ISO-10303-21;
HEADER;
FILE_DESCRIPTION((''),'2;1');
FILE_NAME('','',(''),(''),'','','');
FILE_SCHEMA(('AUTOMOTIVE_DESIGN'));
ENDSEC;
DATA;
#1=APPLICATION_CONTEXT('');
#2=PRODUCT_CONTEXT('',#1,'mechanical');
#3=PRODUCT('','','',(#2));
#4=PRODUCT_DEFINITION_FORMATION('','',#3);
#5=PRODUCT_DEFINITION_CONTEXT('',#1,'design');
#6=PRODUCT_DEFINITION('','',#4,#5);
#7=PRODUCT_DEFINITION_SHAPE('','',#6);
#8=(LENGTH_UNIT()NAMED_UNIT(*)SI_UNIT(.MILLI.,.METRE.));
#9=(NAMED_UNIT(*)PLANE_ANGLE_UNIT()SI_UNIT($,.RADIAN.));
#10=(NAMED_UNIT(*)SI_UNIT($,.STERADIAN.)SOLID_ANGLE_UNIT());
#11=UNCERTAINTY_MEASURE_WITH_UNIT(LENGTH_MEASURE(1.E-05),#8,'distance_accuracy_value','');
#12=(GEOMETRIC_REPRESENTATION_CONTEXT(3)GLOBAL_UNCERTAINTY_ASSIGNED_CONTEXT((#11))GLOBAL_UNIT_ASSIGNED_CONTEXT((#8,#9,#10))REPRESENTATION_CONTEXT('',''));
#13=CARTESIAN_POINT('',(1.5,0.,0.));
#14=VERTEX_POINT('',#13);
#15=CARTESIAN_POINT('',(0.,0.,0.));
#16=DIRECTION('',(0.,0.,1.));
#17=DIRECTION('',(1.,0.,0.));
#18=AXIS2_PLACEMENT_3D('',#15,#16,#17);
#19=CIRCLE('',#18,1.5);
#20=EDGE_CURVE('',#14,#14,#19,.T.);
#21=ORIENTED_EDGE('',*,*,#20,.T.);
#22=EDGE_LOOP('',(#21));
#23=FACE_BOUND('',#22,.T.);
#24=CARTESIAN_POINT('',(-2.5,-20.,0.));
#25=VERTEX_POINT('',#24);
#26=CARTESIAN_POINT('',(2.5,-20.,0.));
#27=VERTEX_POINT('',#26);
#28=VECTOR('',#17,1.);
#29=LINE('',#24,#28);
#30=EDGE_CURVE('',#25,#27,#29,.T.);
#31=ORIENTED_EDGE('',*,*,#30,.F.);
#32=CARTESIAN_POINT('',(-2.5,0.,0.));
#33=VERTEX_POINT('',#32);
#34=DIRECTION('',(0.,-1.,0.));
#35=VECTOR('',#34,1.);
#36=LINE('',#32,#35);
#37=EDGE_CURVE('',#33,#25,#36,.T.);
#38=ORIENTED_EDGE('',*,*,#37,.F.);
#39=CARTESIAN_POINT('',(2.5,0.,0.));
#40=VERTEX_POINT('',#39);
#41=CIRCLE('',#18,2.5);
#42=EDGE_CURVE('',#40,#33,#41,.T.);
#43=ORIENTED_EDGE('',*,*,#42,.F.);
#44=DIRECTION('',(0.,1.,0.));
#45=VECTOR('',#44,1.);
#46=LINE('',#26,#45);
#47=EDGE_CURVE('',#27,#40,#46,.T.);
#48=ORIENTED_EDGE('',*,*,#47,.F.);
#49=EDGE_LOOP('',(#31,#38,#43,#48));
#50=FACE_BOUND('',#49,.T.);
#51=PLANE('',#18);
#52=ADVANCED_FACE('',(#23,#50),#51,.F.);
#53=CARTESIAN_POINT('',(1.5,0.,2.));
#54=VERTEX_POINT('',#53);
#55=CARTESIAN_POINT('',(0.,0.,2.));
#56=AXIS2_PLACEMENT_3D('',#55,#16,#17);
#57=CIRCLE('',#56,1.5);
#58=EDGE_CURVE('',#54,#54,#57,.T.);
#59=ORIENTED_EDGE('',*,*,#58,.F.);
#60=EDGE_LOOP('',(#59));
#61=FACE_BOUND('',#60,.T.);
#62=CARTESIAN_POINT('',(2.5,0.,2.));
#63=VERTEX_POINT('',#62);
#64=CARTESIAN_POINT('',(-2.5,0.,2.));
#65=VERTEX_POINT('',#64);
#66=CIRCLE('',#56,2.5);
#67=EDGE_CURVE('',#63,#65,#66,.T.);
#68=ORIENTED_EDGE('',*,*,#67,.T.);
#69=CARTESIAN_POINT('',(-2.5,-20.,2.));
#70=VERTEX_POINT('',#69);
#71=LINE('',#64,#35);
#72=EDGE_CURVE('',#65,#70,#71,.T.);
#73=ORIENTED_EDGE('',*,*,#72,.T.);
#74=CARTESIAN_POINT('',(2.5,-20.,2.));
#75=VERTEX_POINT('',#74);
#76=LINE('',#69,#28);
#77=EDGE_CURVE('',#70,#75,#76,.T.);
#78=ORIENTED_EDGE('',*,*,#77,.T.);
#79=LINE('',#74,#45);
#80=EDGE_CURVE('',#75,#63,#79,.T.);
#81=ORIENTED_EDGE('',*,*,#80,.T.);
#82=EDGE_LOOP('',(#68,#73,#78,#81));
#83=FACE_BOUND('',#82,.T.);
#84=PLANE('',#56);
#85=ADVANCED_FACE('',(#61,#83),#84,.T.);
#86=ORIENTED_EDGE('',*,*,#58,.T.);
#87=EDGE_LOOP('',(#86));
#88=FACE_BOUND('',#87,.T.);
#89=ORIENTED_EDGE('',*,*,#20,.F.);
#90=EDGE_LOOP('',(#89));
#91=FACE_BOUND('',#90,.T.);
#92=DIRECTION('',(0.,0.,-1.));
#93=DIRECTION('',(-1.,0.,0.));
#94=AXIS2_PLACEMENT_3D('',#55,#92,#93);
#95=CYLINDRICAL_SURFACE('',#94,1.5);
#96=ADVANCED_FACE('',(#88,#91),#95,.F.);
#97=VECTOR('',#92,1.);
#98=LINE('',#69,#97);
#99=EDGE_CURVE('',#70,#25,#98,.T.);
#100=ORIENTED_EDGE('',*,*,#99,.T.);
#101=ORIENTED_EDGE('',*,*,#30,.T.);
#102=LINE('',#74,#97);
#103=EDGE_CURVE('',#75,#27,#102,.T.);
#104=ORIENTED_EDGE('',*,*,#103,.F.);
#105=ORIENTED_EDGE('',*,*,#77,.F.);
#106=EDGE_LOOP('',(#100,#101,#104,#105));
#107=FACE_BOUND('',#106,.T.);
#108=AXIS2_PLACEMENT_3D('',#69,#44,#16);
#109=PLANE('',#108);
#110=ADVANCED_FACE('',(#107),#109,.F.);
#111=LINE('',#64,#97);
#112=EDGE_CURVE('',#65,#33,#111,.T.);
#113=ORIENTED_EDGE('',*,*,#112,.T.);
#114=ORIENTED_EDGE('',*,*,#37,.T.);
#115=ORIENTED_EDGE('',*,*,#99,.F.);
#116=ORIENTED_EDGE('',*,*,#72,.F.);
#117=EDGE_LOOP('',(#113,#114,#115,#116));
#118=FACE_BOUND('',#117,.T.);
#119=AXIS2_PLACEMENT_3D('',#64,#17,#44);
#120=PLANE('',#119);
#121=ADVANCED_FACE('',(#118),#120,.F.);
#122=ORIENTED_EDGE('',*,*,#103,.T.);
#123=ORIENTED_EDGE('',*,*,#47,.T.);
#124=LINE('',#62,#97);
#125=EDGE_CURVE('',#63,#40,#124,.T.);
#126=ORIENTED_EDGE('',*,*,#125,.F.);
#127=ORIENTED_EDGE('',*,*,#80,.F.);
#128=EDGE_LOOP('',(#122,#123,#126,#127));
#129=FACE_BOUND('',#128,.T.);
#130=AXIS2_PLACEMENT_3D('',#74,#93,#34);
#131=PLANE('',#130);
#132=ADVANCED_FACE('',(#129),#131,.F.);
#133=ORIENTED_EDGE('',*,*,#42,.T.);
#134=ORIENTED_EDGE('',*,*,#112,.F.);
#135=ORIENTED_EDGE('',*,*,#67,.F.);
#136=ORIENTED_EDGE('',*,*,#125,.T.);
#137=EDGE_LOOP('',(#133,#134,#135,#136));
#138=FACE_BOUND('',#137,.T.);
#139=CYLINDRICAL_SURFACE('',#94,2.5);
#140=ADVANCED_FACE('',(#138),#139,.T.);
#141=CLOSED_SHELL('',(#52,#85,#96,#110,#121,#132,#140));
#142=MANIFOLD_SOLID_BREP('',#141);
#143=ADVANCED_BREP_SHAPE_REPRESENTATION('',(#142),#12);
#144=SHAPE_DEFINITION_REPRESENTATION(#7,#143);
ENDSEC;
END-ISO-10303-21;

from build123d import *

# Parameters (mm, degrees)
SKETCH1_R           = 1.5
BOSS_EXTRUDE1_DEPTH = 2


with BuildPart() as part:
    # Sketch1 → Boss-Extrude1 (new body)
    with BuildSketch(Plane.XY):
        with BuildLine():
            Line((-2.5, 0), (-2.5, -20))
            Line((-2.5, -20), (2.5, -20))
            Line((2.5, -20), (2.5, 0))
            ThreePointArc((2.5, 0), (0, 2.5), (-2.5, 0))
        make_face()
        Circle(SKETCH1_R, mode=Mode.SUBTRACT)
    extrude(amount=BOSS_EXTRUDE1_DEPTH)


solid = part.part
